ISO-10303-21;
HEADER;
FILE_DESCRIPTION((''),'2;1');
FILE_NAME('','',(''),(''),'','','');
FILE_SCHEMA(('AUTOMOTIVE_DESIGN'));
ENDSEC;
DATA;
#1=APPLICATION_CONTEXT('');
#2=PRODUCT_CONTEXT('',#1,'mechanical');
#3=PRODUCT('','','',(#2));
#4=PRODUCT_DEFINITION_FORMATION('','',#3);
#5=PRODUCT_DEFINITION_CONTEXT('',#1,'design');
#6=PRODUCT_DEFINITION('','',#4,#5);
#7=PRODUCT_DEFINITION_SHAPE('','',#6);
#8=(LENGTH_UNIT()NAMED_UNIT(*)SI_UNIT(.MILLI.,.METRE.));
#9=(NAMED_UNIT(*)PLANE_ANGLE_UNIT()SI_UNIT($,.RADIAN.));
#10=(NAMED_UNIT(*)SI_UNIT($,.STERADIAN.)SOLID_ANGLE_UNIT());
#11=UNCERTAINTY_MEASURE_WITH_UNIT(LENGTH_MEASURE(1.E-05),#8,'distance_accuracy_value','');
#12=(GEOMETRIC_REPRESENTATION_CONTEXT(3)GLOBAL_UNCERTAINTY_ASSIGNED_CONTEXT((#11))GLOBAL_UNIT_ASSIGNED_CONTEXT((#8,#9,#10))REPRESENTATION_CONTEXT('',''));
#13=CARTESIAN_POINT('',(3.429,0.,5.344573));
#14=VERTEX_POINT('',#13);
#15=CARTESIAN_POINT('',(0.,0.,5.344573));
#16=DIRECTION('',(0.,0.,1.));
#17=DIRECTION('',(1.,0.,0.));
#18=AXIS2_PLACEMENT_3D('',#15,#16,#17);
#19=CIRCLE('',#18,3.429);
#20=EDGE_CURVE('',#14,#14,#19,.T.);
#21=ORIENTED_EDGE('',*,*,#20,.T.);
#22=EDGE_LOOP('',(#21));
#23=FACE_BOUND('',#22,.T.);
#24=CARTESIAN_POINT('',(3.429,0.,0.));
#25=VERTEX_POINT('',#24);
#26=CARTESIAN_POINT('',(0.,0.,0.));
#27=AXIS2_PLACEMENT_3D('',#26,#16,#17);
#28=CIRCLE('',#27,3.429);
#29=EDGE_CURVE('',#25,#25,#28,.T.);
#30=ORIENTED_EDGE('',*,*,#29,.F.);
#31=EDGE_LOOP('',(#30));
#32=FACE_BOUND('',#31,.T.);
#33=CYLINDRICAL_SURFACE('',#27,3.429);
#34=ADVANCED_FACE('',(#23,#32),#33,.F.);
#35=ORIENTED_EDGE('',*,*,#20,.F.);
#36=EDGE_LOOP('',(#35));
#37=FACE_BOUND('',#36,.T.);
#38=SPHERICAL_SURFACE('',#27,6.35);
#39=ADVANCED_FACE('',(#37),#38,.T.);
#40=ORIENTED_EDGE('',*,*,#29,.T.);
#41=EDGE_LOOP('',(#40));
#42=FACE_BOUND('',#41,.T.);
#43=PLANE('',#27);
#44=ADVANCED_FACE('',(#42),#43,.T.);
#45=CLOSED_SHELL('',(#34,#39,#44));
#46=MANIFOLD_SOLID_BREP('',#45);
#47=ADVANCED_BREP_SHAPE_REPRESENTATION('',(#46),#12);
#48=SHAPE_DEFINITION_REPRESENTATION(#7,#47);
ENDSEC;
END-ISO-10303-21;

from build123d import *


with BuildPart() as part:
    # Sketch1 → Revolve1 (revolve)
    with BuildSketch(Plane(origin=(0, 0, 0), x_dir=(1, 0, 0), z_dir=(0, 1, 0))):
        with BuildLine():
            Line((0, 0), (3.429, 0))
            Line((3.429, 0), (3.429, -5.344572855))
            ThreePointArc((3.429, -5.344572855), (6.093461152, 1.786681613), (0, 6.35))
            Line((0, 6.35), (0, 0))
        make_face()
    revolve(axis=Axis((0, 0, 0), (0, 0, -1)))


solid = part.part
